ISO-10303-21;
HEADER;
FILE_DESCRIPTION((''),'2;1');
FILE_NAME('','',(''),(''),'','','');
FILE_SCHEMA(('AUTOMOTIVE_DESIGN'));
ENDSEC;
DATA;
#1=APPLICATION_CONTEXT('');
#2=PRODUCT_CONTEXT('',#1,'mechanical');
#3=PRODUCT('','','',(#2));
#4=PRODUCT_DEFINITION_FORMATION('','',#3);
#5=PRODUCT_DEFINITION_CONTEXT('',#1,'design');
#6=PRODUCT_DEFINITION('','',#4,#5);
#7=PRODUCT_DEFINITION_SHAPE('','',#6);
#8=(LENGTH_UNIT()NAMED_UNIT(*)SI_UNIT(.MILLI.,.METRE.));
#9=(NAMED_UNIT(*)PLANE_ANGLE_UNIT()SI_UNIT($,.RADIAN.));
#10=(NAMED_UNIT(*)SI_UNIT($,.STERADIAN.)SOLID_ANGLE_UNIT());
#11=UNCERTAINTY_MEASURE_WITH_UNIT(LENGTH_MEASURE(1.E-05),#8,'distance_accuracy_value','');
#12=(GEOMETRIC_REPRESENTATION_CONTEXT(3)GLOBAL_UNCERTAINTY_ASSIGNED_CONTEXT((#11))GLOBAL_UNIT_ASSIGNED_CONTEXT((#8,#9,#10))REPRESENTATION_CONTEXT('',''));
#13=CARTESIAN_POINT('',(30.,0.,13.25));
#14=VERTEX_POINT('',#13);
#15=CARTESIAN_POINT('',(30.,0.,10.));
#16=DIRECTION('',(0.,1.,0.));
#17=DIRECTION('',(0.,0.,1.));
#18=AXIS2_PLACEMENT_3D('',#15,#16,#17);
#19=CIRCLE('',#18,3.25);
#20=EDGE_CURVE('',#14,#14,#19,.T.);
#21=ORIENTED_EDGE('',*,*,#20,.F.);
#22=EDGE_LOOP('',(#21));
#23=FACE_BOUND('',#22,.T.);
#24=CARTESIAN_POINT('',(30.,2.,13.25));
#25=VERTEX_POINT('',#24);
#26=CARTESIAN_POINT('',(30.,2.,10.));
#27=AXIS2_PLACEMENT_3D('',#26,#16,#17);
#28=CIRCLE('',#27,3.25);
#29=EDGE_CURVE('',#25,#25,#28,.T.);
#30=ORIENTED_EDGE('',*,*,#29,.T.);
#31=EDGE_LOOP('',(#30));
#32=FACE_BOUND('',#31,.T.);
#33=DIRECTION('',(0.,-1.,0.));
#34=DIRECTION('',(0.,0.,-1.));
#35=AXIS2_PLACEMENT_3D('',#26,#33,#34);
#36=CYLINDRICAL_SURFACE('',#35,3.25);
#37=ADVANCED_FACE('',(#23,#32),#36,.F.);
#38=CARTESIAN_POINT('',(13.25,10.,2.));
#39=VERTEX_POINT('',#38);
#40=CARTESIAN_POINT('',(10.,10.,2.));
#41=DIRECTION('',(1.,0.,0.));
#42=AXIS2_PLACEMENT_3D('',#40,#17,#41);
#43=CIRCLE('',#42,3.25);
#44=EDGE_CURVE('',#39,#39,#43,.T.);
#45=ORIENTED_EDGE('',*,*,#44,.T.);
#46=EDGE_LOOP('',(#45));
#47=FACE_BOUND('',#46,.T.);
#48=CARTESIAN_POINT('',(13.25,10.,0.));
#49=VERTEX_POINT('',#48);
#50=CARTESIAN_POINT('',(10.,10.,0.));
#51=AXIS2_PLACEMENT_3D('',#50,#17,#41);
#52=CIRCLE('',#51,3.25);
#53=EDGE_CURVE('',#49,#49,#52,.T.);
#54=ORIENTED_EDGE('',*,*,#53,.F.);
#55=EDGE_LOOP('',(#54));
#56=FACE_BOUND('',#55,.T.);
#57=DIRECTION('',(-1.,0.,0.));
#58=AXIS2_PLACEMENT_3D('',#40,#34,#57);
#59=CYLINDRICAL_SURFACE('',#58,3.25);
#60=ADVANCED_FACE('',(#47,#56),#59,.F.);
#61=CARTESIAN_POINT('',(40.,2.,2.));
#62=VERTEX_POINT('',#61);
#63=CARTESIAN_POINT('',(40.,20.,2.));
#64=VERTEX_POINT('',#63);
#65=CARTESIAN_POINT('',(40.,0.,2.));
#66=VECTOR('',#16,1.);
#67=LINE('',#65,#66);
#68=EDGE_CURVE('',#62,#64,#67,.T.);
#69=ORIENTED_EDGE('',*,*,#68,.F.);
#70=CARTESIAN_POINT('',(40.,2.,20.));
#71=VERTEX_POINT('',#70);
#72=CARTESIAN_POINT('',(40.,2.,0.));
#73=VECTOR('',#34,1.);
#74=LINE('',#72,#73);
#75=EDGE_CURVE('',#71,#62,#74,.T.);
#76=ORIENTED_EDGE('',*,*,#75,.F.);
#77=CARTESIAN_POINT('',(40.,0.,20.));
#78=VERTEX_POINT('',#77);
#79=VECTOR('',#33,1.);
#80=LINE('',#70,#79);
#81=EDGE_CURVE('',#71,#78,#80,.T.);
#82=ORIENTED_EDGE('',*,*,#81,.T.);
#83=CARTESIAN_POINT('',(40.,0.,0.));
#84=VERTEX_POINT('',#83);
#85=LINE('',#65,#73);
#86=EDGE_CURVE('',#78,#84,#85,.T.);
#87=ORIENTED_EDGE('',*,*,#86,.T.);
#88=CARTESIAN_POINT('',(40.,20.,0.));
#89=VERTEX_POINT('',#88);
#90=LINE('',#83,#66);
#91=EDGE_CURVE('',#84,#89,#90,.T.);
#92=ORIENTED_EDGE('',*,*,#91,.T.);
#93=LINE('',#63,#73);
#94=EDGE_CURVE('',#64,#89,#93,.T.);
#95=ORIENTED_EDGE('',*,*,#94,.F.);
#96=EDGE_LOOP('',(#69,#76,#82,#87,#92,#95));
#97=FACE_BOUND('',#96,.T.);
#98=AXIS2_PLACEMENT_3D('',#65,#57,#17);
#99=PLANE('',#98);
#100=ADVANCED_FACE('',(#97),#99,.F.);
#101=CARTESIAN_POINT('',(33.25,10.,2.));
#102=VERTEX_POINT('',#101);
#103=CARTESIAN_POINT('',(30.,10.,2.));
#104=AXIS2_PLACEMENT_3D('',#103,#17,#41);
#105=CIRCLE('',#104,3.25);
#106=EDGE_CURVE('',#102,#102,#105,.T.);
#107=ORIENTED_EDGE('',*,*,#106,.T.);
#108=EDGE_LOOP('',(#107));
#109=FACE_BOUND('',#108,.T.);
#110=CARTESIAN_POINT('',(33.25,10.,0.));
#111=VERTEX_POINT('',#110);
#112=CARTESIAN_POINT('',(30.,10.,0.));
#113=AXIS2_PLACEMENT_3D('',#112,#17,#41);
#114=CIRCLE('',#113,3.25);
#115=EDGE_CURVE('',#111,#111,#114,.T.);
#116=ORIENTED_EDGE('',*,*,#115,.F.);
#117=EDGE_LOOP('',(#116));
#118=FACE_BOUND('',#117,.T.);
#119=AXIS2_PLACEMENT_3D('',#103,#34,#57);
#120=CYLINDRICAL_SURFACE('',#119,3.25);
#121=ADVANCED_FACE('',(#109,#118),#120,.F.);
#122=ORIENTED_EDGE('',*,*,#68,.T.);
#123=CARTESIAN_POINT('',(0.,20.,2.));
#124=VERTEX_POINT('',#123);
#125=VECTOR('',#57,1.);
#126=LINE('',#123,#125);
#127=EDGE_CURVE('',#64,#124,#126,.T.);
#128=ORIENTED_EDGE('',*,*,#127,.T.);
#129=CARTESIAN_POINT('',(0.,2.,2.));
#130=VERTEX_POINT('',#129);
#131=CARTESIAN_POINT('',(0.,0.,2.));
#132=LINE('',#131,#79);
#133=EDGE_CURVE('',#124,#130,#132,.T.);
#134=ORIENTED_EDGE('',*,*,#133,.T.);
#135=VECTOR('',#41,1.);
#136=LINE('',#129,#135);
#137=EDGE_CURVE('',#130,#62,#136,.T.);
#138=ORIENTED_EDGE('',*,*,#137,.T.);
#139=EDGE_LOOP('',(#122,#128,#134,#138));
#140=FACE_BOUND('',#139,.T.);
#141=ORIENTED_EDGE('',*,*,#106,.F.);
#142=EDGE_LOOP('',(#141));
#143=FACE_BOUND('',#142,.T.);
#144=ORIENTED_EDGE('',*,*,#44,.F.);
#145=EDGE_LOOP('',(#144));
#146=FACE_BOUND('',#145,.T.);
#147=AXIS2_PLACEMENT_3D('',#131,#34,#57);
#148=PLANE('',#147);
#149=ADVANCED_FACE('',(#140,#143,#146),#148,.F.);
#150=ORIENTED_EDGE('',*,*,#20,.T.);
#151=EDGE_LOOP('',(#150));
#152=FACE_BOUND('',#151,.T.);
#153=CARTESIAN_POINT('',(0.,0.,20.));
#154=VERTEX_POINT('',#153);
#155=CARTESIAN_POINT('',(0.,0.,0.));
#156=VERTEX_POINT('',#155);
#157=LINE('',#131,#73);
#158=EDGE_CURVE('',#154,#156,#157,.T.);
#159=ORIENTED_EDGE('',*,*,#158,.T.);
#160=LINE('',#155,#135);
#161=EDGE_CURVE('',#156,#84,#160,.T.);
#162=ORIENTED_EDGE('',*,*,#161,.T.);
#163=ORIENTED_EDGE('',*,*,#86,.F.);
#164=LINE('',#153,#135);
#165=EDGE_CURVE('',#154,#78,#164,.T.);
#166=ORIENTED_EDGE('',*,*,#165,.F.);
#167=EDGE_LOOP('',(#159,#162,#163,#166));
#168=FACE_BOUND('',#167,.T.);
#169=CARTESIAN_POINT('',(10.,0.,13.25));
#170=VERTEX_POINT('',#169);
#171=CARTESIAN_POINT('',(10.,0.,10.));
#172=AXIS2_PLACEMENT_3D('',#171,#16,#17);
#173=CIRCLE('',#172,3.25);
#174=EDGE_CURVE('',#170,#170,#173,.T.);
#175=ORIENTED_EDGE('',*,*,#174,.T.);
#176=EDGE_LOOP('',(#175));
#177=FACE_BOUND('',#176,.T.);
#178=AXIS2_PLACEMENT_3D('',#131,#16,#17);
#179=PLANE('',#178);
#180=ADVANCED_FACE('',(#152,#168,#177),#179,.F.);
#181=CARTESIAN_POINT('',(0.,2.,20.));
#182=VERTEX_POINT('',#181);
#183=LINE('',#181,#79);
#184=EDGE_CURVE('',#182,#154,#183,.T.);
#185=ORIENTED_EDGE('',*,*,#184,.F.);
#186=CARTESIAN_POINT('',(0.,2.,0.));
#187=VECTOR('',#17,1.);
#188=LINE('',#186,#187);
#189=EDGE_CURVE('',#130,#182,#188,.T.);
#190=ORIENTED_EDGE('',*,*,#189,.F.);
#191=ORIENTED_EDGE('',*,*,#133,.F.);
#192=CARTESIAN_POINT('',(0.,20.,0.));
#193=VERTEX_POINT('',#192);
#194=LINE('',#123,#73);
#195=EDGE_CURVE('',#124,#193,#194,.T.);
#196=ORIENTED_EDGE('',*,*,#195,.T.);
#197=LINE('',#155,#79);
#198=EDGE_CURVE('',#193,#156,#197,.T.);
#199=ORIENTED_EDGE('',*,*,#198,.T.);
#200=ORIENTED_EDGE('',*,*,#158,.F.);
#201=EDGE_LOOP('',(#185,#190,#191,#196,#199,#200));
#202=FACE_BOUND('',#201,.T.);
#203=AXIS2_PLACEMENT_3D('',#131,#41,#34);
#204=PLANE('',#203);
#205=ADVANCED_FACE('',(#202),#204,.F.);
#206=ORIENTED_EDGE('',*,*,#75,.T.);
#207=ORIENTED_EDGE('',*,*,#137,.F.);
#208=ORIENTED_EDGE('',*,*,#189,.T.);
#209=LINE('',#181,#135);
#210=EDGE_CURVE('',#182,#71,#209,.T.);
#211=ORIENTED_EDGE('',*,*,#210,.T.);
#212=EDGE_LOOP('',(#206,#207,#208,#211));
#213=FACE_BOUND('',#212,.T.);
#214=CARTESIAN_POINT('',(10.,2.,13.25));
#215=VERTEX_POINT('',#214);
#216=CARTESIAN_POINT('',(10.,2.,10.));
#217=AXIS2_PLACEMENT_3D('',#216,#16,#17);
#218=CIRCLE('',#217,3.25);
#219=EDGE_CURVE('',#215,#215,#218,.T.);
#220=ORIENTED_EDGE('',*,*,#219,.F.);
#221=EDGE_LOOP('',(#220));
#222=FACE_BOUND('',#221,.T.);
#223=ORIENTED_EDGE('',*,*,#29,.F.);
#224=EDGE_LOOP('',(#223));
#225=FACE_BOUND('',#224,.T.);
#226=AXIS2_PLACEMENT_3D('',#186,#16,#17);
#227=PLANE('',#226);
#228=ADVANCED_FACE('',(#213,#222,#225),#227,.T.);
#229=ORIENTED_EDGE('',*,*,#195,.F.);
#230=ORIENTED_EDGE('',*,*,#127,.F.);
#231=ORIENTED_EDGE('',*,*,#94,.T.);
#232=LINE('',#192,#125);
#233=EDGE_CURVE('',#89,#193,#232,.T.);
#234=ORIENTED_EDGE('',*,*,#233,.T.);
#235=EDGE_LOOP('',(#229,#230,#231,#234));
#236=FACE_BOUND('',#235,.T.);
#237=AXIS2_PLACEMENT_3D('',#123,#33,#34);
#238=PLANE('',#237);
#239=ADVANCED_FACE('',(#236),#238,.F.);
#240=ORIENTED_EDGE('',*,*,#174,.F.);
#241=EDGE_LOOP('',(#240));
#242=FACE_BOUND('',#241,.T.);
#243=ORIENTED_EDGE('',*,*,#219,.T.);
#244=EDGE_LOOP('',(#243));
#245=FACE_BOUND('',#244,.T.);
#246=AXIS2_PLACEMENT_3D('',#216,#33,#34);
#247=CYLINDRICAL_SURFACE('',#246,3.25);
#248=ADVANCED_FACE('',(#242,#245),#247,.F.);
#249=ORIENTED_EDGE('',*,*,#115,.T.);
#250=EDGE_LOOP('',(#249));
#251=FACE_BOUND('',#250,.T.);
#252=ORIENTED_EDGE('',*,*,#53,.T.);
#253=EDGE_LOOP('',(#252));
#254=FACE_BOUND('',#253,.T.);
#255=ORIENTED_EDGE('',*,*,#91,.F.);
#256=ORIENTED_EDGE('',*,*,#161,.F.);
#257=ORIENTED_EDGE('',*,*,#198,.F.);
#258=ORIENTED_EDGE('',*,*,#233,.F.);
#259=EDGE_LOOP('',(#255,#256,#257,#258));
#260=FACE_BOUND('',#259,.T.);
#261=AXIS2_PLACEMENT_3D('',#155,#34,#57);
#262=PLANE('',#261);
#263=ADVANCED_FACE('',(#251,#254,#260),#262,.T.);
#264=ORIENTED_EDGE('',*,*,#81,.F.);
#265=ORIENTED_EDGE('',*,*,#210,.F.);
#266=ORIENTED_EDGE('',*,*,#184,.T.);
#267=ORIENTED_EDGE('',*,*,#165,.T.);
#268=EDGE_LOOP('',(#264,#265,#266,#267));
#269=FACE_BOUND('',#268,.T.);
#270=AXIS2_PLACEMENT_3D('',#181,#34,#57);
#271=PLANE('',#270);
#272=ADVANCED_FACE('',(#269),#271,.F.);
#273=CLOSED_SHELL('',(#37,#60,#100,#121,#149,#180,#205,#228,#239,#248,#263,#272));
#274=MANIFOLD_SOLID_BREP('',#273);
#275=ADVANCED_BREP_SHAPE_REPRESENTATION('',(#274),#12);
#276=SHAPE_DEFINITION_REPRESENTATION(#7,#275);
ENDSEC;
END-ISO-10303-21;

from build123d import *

# Parameters (mm, degrees)
SKETCH1_W           = 40
SKETCH1_H           = 20
SKETCH1_R           = 3.25
BOSS_EXTRUDE1_DEPTH = 2
SKETCH3_W           = 40
SKETCH3_H           = 20
SKETCH3_R           = 3.25
BOSS_EXTRUDE2_DEPTH = 2


with BuildPart() as part:
    # Sketch1 → Boss-Extrude1 (new body)
    with BuildSketch(Plane.XY):
        with Locations((20, 10)):
            Rectangle(SKETCH1_W, SKETCH1_H)
        with Locations((10, 10)):
            Circle(SKETCH1_R, mode=Mode.SUBTRACT)
        with Locations((30, 10)):
            Circle(SKETCH1_R, mode=Mode.SUBTRACT)
    extrude(amount=BOSS_EXTRUDE1_DEPTH)

    # Sketch3 → Boss-Extrude2 (add)
    with BuildSketch(Plane(origin=(0, 0, 0), x_dir=(1, 0, 0), z_dir=(0, 1, 0))):
        with Locations((20, -10)):
            Rectangle(SKETCH3_W, SKETCH3_H)
        with Locations(Location((10, -10, 0), (0, 0, 270))):
            Circle(SKETCH3_R, mode=Mode.SUBTRACT)
        with Locations(Location((30, -10, 0), (0, 0, 270))):
            Circle(SKETCH3_R, mode=Mode.SUBTRACT)
    extrude(amount=BOSS_EXTRUDE2_DEPTH)


solid = part.part
